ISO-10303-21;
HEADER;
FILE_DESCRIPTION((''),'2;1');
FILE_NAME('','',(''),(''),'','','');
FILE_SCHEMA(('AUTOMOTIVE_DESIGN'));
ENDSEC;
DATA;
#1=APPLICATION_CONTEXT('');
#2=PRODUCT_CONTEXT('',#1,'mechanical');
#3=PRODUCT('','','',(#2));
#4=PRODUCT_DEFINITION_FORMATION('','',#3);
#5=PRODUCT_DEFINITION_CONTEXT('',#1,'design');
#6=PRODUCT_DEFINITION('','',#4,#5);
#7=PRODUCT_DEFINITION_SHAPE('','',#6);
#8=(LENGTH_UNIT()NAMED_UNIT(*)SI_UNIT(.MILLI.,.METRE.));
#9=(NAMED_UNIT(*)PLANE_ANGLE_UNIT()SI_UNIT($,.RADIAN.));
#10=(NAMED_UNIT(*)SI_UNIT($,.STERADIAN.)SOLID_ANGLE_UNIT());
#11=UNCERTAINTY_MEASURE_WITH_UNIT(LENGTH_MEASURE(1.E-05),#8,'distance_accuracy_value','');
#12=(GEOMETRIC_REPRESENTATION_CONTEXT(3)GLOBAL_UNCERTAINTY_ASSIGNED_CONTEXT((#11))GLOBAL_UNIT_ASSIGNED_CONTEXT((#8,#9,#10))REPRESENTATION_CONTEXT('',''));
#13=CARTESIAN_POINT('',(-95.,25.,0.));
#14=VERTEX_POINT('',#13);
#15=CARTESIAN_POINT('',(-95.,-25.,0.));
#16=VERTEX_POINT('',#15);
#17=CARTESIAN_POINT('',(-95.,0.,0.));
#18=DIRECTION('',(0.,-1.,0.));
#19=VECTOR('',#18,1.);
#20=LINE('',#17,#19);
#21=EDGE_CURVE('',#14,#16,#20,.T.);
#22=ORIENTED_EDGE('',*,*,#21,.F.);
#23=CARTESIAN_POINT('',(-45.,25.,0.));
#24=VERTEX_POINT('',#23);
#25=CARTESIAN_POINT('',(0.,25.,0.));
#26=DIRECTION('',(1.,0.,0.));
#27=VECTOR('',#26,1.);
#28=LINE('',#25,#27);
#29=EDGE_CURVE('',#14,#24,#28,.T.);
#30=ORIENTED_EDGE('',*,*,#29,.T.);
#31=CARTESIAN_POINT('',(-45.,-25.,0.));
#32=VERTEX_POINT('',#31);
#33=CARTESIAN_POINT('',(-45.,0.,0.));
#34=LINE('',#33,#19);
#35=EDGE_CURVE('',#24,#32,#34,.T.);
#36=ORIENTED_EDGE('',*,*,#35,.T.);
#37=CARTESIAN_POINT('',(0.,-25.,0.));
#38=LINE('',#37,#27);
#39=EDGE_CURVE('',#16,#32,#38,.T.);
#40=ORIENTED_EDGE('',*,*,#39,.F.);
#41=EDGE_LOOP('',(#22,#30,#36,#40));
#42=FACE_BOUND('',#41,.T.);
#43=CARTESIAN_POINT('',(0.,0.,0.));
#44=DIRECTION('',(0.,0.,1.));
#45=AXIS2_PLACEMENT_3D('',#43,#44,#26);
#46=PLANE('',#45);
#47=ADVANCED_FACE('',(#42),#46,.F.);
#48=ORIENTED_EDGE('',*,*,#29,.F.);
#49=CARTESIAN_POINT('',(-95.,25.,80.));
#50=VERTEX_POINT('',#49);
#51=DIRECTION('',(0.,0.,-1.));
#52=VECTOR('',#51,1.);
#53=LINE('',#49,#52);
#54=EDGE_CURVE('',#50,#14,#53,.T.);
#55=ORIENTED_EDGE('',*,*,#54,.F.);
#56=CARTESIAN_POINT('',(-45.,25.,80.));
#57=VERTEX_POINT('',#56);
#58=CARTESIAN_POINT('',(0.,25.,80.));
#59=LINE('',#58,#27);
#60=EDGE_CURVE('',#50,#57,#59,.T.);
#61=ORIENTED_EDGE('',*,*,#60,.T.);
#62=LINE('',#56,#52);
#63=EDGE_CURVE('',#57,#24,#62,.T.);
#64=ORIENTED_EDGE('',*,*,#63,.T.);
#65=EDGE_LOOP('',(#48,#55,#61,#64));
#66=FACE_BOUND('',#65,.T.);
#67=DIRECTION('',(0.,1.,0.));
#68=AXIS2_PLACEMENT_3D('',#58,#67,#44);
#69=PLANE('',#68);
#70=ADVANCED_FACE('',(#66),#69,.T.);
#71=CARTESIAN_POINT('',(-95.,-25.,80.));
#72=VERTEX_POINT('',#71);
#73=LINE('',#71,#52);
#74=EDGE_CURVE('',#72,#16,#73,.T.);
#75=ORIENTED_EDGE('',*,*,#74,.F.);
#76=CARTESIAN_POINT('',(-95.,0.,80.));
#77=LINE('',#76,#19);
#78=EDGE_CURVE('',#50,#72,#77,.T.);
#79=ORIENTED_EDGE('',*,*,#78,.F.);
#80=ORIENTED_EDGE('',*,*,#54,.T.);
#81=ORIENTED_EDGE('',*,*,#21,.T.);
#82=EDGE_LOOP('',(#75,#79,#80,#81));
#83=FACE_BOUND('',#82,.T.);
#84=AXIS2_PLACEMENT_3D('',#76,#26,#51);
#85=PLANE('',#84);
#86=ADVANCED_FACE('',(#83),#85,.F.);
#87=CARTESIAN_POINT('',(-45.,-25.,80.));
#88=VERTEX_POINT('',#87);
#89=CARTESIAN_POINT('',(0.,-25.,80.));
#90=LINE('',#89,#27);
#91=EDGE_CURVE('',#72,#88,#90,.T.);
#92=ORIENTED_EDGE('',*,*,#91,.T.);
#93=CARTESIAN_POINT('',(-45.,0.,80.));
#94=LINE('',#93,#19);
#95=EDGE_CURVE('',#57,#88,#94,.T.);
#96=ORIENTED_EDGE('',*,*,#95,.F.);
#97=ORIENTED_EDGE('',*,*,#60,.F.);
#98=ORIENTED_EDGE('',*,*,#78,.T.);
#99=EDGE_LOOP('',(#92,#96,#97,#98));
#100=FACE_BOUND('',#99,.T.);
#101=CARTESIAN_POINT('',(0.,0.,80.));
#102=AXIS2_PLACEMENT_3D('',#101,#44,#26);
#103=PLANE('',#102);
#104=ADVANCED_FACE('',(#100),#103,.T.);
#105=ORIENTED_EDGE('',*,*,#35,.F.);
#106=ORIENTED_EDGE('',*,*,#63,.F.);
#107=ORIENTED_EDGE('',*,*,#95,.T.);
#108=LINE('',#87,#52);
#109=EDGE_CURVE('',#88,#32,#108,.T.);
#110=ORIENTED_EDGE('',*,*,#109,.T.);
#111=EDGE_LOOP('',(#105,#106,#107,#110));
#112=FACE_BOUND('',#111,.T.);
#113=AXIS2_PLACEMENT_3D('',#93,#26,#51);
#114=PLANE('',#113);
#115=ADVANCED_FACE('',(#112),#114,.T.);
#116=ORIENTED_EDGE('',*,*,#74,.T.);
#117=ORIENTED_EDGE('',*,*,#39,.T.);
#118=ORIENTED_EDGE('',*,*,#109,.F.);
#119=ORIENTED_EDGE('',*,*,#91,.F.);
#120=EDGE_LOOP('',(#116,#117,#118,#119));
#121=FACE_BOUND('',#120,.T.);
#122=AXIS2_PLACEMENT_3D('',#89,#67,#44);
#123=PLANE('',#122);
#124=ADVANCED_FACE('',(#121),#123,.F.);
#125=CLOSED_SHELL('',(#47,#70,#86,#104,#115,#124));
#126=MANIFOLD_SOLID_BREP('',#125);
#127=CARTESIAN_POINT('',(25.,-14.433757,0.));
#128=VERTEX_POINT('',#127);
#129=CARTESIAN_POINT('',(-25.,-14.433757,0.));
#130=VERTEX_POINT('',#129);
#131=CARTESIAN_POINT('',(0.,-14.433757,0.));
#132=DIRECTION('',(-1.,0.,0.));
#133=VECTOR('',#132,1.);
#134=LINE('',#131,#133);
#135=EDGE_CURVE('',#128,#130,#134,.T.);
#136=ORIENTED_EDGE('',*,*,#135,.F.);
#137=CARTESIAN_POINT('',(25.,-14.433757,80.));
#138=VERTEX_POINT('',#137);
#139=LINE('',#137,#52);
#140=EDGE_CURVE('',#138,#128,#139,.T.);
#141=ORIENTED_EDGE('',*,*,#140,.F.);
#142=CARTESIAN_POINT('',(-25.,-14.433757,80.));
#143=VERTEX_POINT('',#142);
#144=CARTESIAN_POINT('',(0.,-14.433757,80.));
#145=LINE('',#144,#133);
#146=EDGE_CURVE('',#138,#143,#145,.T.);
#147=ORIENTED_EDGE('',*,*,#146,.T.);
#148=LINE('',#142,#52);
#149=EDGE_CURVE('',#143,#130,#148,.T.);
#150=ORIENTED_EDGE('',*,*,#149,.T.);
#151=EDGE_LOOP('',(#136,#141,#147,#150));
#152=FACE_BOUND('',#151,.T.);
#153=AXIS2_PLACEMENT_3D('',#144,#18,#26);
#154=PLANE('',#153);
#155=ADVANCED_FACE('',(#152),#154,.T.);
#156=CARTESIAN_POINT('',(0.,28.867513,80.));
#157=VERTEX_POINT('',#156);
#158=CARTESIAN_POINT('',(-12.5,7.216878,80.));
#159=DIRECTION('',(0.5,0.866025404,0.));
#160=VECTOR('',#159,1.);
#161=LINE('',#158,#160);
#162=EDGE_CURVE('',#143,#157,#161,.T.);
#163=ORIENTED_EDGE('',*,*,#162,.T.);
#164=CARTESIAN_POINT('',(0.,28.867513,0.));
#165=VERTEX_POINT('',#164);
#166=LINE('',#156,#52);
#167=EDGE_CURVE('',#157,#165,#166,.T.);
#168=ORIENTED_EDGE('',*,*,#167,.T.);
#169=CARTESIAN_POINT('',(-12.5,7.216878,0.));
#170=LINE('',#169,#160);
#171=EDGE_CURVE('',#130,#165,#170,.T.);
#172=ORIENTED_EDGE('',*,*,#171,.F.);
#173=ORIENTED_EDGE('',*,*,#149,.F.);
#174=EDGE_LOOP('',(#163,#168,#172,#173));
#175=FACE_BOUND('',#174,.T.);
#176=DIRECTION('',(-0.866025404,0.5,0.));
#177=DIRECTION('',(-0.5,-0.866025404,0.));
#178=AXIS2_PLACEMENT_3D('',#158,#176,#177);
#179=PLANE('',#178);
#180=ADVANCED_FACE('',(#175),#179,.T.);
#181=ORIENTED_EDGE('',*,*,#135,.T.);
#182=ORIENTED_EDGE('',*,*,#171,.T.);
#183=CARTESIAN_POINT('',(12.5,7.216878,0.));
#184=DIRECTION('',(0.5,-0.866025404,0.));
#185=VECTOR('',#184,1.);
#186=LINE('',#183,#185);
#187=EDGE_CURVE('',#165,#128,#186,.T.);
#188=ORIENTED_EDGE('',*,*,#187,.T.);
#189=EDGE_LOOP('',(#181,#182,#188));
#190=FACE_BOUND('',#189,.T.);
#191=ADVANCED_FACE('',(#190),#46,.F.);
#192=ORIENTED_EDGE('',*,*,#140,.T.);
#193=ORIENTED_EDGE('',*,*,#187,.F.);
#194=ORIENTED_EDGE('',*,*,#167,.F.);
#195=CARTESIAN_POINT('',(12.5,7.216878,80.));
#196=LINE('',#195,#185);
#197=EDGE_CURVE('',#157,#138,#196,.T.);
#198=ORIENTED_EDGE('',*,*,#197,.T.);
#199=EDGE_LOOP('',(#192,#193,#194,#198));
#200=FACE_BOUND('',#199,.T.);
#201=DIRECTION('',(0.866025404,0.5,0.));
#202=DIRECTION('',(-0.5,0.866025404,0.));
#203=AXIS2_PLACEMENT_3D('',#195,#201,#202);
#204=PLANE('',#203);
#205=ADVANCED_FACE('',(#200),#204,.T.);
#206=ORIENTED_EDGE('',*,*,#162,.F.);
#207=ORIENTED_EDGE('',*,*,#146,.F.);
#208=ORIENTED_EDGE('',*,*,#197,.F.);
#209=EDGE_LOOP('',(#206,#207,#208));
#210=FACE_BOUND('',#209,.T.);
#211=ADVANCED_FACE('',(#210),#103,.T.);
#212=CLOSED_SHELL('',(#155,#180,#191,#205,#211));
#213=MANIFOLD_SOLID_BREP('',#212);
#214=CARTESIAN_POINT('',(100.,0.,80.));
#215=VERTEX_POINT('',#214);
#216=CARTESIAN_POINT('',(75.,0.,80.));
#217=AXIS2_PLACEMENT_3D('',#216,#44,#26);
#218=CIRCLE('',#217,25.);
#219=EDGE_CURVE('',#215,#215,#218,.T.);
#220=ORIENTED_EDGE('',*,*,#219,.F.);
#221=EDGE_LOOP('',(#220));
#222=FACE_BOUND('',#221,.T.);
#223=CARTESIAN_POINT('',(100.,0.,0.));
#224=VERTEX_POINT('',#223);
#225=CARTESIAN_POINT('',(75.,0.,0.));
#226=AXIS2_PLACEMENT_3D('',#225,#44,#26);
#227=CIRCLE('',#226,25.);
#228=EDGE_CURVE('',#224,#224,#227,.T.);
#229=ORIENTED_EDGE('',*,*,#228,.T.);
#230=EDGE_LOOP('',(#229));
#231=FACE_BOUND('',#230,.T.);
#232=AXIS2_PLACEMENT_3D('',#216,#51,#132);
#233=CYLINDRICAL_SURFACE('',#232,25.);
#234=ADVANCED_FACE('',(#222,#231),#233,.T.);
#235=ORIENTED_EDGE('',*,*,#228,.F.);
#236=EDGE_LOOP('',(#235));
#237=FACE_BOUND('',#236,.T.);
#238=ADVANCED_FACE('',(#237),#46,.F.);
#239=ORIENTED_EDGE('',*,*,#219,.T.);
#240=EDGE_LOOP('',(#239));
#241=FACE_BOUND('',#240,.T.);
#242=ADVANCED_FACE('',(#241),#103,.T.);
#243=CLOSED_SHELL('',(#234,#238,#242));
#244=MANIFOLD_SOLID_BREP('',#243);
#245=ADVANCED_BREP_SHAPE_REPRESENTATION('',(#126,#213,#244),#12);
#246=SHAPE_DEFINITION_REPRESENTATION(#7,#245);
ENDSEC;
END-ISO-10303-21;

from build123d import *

# Parameters (mm, degrees)
SKETCH1_R             = 25
BOSS_EXTRUDE1_DEPTH   = 80
BOSS_EXTRUDE1_2_DEPTH = 80
SKETCH1_W             = 50
SKETCH1_H             = 50
BOSS_EXTRUDE1_3_DEPTH = 80


with BuildPart() as part:
    # Sketch1 → Boss-Extrude1 (new body)
    with BuildSketch(Plane.XY):
        with Locations((75, 0)):
            Circle(SKETCH1_R)
    extrude(amount=BOSS_EXTRUDE1_DEPTH)


with BuildPart() as body_2:
    # Sketch1 → Boss-Extrude1 2 (new body)
    with BuildSketch(Plane.XY):
        Polygon((-25, -14.43375673), (0, 28.867513459), (25, -14.43375673), align=None)
    extrude(amount=BOSS_EXTRUDE1_2_DEPTH)


with BuildPart() as body_3:
    # Sketch1 → Boss-Extrude1 3 (new body)
    with BuildSketch(Plane.XY):
        with Locations((-70, 0)):
            Rectangle(SKETCH1_W, SKETCH1_H)
    extrude(amount=BOSS_EXTRUDE1_3_DEPTH)


solid = Compound([part.part, body_2.part, body_3.part])
